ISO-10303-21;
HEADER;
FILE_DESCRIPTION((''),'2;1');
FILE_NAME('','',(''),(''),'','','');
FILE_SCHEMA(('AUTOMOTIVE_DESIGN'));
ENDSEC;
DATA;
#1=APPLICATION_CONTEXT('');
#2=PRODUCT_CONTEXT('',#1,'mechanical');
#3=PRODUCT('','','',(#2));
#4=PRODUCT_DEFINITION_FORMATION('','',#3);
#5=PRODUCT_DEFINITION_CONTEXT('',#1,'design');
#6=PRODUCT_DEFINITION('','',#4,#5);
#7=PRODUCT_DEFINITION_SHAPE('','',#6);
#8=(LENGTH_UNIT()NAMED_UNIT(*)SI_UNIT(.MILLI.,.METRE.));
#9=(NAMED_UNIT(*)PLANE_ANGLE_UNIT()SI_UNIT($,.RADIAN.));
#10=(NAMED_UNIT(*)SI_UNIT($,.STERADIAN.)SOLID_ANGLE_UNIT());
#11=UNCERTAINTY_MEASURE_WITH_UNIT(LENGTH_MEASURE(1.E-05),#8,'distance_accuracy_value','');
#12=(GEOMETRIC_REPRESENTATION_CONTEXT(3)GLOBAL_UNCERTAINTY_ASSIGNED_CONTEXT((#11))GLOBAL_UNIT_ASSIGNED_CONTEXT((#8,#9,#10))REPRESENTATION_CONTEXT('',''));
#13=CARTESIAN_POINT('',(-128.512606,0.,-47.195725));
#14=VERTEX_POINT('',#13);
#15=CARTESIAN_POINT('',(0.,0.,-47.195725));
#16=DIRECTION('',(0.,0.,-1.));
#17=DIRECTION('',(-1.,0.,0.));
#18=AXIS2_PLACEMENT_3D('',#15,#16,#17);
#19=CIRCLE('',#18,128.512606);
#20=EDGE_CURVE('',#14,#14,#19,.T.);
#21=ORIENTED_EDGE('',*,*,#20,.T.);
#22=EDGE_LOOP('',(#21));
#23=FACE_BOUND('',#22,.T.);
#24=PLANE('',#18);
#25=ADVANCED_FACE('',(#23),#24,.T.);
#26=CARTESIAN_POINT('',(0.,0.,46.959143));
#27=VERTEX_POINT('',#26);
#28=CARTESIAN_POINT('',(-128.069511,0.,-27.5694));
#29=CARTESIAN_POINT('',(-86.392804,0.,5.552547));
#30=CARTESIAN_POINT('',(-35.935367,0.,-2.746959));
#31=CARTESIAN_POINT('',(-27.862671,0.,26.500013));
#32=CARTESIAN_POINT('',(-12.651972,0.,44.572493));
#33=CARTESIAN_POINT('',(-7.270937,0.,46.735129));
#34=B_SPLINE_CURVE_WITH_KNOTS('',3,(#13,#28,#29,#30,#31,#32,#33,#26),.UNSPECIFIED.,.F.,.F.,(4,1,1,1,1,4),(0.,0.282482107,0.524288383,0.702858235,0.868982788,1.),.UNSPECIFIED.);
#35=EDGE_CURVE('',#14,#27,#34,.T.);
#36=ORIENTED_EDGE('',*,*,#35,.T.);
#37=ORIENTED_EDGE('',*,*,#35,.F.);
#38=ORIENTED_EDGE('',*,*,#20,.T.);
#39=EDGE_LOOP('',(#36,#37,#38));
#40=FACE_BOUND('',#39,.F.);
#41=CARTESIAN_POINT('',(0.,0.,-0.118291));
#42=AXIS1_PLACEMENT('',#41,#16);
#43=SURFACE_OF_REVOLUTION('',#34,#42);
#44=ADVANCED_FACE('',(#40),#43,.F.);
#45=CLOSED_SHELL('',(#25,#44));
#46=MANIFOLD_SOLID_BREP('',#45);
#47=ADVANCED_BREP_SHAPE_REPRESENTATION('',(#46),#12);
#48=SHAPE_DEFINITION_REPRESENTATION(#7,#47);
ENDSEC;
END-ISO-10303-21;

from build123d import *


with BuildPart() as f1:
    # F0 (on Front) → F1 (revolve)
    with BuildSketch(Plane.XZ):
        with BuildLine():
            Line((0, -47.195725143), (0, 46.959143132))
            add(Edge.make_bspline(
                [(-128.5126060247, -47.195725143), (-128.0695106052, -27.5693998168), (-86.3928041591, 5.5525472451), (-35.9353674462, -2.7469587933), (-27.862670946, 26.5000134108), (-12.6519724469, 44.5724927004), (-7.2709371098, 46.7351292377), (0, 46.959143132)],
                knots=[0, 0, 0, 0, 0.2824821066, 0.5242883827, 0.7028582346, 0.8689827881, 1, 1, 1, 1], degree=3))
            Line((-128.5126060247, -47.195725143), (0, -47.195725143))
        make_face()
    revolve(axis=Axis((0, 0, -0.1182910055), (0, 0, -1)))


solid = f1.part
